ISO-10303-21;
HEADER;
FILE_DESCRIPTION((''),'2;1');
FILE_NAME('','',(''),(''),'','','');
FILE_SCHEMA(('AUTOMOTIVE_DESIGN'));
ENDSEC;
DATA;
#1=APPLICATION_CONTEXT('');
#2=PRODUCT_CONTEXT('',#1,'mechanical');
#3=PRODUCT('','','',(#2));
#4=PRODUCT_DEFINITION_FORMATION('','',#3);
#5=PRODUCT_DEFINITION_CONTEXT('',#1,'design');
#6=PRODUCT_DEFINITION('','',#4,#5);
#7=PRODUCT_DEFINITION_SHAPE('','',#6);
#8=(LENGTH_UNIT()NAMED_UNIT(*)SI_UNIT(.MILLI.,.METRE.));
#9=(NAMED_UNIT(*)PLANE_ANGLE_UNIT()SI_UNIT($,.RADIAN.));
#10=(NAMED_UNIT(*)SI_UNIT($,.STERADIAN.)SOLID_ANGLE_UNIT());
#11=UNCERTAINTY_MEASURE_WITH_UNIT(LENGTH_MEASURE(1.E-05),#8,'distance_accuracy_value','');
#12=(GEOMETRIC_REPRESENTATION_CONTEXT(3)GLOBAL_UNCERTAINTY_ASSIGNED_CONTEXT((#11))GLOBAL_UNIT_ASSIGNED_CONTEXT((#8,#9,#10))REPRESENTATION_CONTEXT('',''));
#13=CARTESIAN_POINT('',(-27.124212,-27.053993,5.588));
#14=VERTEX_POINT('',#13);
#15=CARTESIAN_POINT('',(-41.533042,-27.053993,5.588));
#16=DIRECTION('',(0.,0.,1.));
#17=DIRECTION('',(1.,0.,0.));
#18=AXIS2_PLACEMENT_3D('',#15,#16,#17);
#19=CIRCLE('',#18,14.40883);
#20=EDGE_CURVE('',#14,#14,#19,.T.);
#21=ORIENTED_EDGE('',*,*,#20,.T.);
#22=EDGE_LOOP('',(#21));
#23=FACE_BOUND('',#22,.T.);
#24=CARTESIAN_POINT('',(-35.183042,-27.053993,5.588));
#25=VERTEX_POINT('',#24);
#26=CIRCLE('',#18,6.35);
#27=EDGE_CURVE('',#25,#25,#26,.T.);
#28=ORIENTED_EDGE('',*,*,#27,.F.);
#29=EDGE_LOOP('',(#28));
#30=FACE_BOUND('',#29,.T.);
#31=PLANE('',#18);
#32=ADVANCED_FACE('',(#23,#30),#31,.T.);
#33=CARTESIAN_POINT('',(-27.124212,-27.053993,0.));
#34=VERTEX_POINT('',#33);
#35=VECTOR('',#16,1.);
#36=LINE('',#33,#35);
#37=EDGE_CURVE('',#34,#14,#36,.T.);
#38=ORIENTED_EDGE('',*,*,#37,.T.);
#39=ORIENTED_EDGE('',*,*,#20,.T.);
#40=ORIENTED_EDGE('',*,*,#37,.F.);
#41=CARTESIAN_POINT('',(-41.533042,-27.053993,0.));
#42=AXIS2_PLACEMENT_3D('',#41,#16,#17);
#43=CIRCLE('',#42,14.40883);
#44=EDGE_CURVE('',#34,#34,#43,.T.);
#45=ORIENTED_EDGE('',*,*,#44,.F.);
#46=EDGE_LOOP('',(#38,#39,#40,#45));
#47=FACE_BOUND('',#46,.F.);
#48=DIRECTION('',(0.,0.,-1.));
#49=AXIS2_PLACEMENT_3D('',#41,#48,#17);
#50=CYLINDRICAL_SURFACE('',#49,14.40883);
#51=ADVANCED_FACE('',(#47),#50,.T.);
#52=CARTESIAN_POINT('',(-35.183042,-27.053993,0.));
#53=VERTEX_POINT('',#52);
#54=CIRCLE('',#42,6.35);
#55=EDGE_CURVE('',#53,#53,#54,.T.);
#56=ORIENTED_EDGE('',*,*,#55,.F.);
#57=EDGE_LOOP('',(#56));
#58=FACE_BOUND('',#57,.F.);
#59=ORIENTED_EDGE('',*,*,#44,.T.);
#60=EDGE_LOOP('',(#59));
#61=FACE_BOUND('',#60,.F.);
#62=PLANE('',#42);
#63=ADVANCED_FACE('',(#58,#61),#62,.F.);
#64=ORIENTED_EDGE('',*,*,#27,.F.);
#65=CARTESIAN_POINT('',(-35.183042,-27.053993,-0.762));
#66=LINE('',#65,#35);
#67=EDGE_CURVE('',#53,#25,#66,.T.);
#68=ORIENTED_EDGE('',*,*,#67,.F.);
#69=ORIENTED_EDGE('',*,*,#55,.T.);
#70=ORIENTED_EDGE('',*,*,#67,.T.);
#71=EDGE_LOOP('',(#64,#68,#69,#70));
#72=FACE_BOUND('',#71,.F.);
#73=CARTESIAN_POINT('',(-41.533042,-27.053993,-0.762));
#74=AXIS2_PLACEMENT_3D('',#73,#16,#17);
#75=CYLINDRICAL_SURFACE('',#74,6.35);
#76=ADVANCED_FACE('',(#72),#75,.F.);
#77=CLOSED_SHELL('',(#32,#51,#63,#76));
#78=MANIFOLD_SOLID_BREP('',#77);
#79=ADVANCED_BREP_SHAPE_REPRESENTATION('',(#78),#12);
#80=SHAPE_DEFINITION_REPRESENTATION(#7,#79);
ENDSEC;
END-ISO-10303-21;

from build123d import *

# Parameters (mm, degrees)
F0_R           = 14.40883
F1_DEPTH       = 5.588
F3_D           = 11.43
F3_CBORE_D     = 12.7
F3_CBORE_DEPTH = 6.35


with BuildPart() as f1:
    # F0 (on Top) → F1 (new body)
    with BuildSketch(Plane.XY):
        with Locations((-41.533042, -27.053993)):
            Circle(F0_R)
    extrude(amount=F1_DEPTH)

    # F3 (through all)
    with Locations(Plane.XY.offset(5.588)):
        with Locations((-41.533042, -27.053993)):
            CounterBoreHole(F3_D / 2, F3_CBORE_D / 2, F3_CBORE_DEPTH)


solid = f1.part
